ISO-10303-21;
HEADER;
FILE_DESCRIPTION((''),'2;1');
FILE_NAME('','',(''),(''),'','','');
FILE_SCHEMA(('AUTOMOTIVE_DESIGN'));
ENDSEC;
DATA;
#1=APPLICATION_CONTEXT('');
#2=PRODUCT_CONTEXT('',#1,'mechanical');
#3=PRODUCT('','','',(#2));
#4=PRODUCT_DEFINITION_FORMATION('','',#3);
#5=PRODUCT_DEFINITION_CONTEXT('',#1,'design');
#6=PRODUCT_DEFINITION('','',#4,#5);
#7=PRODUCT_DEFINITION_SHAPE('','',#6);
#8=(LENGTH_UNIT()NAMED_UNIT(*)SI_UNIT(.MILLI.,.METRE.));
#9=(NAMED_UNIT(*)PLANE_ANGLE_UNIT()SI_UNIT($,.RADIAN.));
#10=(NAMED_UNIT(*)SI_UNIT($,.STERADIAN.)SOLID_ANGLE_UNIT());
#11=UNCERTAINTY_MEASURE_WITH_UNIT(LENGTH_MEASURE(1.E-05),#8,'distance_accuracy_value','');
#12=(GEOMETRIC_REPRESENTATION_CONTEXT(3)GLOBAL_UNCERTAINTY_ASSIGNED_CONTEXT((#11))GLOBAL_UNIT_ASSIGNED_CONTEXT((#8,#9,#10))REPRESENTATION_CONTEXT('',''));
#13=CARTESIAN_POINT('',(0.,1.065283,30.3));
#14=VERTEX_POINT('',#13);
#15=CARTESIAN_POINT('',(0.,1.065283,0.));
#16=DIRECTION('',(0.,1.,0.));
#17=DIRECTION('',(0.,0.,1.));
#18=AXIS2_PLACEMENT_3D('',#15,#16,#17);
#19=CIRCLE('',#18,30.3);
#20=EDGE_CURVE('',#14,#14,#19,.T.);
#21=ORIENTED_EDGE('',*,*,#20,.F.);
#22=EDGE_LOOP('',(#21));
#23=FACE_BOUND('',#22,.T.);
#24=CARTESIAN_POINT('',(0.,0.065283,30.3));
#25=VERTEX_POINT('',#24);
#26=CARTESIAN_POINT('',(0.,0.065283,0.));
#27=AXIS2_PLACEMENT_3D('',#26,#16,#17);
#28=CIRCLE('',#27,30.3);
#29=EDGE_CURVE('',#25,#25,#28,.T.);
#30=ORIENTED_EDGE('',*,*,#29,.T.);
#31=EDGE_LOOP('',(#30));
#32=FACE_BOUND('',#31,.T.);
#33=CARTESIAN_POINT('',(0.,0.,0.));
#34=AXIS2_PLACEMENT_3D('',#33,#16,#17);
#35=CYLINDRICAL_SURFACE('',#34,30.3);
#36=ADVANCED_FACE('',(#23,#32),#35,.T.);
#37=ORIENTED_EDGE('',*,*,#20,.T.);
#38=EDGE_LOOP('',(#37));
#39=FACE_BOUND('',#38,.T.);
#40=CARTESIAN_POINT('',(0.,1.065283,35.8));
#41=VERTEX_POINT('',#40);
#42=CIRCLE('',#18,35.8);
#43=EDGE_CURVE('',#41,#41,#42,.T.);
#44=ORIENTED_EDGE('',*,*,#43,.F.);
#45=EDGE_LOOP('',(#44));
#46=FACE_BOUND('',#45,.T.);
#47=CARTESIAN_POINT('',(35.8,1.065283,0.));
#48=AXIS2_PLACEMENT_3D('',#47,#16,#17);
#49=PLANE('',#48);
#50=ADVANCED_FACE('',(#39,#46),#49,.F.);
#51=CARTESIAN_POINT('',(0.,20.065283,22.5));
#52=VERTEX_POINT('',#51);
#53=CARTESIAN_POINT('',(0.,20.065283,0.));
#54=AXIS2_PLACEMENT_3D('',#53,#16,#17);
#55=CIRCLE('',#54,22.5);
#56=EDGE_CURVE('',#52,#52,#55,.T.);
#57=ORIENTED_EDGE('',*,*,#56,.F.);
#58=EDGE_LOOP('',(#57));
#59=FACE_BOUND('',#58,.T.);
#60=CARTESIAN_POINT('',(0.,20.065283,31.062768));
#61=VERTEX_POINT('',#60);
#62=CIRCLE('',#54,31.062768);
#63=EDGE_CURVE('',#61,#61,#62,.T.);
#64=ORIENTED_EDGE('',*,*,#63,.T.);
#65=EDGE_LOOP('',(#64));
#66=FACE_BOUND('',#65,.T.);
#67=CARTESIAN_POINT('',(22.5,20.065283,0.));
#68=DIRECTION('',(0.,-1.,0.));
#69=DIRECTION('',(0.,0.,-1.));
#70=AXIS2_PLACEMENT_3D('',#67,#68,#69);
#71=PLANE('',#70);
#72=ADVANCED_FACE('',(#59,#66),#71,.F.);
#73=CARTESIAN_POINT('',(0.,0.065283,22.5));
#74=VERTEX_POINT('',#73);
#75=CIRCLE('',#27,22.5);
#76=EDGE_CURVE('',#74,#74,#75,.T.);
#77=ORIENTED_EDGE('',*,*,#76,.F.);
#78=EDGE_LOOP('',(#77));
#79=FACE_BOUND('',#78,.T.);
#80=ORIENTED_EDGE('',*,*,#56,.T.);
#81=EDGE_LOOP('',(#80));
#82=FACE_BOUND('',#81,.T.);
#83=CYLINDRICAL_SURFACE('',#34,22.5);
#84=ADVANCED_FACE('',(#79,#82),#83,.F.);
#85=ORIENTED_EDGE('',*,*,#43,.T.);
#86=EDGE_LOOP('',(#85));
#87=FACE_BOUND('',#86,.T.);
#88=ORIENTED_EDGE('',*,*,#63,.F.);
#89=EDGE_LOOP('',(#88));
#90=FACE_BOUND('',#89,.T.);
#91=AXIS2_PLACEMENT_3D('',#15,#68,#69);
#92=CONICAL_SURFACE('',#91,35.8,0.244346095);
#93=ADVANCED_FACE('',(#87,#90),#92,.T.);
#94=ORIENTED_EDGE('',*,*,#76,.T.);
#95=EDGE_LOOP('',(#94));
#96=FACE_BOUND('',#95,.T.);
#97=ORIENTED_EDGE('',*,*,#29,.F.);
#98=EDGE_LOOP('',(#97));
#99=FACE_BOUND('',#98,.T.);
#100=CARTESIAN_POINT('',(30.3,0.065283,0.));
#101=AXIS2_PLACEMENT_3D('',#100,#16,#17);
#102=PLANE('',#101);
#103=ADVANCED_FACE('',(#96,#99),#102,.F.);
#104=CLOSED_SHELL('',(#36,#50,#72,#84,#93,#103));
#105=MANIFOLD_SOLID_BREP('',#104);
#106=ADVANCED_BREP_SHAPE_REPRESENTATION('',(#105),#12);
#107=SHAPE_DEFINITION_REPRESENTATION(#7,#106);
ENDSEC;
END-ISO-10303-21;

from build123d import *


with BuildPart() as part:
    # Sketch1 → Revolve1 (revolve)
    with BuildSketch(Plane.XY):
        Polygon((22.5, 0.06528296), (22.5, 20.06528296), (31.062767946, 20.06528296), (35.8, 1.06528296), (30.3, 1.06528296), (30.3, 0.06528296), align=None)
    revolve(axis=Axis((0, 0, 0), (0, -1, 0)))


solid = part.part
